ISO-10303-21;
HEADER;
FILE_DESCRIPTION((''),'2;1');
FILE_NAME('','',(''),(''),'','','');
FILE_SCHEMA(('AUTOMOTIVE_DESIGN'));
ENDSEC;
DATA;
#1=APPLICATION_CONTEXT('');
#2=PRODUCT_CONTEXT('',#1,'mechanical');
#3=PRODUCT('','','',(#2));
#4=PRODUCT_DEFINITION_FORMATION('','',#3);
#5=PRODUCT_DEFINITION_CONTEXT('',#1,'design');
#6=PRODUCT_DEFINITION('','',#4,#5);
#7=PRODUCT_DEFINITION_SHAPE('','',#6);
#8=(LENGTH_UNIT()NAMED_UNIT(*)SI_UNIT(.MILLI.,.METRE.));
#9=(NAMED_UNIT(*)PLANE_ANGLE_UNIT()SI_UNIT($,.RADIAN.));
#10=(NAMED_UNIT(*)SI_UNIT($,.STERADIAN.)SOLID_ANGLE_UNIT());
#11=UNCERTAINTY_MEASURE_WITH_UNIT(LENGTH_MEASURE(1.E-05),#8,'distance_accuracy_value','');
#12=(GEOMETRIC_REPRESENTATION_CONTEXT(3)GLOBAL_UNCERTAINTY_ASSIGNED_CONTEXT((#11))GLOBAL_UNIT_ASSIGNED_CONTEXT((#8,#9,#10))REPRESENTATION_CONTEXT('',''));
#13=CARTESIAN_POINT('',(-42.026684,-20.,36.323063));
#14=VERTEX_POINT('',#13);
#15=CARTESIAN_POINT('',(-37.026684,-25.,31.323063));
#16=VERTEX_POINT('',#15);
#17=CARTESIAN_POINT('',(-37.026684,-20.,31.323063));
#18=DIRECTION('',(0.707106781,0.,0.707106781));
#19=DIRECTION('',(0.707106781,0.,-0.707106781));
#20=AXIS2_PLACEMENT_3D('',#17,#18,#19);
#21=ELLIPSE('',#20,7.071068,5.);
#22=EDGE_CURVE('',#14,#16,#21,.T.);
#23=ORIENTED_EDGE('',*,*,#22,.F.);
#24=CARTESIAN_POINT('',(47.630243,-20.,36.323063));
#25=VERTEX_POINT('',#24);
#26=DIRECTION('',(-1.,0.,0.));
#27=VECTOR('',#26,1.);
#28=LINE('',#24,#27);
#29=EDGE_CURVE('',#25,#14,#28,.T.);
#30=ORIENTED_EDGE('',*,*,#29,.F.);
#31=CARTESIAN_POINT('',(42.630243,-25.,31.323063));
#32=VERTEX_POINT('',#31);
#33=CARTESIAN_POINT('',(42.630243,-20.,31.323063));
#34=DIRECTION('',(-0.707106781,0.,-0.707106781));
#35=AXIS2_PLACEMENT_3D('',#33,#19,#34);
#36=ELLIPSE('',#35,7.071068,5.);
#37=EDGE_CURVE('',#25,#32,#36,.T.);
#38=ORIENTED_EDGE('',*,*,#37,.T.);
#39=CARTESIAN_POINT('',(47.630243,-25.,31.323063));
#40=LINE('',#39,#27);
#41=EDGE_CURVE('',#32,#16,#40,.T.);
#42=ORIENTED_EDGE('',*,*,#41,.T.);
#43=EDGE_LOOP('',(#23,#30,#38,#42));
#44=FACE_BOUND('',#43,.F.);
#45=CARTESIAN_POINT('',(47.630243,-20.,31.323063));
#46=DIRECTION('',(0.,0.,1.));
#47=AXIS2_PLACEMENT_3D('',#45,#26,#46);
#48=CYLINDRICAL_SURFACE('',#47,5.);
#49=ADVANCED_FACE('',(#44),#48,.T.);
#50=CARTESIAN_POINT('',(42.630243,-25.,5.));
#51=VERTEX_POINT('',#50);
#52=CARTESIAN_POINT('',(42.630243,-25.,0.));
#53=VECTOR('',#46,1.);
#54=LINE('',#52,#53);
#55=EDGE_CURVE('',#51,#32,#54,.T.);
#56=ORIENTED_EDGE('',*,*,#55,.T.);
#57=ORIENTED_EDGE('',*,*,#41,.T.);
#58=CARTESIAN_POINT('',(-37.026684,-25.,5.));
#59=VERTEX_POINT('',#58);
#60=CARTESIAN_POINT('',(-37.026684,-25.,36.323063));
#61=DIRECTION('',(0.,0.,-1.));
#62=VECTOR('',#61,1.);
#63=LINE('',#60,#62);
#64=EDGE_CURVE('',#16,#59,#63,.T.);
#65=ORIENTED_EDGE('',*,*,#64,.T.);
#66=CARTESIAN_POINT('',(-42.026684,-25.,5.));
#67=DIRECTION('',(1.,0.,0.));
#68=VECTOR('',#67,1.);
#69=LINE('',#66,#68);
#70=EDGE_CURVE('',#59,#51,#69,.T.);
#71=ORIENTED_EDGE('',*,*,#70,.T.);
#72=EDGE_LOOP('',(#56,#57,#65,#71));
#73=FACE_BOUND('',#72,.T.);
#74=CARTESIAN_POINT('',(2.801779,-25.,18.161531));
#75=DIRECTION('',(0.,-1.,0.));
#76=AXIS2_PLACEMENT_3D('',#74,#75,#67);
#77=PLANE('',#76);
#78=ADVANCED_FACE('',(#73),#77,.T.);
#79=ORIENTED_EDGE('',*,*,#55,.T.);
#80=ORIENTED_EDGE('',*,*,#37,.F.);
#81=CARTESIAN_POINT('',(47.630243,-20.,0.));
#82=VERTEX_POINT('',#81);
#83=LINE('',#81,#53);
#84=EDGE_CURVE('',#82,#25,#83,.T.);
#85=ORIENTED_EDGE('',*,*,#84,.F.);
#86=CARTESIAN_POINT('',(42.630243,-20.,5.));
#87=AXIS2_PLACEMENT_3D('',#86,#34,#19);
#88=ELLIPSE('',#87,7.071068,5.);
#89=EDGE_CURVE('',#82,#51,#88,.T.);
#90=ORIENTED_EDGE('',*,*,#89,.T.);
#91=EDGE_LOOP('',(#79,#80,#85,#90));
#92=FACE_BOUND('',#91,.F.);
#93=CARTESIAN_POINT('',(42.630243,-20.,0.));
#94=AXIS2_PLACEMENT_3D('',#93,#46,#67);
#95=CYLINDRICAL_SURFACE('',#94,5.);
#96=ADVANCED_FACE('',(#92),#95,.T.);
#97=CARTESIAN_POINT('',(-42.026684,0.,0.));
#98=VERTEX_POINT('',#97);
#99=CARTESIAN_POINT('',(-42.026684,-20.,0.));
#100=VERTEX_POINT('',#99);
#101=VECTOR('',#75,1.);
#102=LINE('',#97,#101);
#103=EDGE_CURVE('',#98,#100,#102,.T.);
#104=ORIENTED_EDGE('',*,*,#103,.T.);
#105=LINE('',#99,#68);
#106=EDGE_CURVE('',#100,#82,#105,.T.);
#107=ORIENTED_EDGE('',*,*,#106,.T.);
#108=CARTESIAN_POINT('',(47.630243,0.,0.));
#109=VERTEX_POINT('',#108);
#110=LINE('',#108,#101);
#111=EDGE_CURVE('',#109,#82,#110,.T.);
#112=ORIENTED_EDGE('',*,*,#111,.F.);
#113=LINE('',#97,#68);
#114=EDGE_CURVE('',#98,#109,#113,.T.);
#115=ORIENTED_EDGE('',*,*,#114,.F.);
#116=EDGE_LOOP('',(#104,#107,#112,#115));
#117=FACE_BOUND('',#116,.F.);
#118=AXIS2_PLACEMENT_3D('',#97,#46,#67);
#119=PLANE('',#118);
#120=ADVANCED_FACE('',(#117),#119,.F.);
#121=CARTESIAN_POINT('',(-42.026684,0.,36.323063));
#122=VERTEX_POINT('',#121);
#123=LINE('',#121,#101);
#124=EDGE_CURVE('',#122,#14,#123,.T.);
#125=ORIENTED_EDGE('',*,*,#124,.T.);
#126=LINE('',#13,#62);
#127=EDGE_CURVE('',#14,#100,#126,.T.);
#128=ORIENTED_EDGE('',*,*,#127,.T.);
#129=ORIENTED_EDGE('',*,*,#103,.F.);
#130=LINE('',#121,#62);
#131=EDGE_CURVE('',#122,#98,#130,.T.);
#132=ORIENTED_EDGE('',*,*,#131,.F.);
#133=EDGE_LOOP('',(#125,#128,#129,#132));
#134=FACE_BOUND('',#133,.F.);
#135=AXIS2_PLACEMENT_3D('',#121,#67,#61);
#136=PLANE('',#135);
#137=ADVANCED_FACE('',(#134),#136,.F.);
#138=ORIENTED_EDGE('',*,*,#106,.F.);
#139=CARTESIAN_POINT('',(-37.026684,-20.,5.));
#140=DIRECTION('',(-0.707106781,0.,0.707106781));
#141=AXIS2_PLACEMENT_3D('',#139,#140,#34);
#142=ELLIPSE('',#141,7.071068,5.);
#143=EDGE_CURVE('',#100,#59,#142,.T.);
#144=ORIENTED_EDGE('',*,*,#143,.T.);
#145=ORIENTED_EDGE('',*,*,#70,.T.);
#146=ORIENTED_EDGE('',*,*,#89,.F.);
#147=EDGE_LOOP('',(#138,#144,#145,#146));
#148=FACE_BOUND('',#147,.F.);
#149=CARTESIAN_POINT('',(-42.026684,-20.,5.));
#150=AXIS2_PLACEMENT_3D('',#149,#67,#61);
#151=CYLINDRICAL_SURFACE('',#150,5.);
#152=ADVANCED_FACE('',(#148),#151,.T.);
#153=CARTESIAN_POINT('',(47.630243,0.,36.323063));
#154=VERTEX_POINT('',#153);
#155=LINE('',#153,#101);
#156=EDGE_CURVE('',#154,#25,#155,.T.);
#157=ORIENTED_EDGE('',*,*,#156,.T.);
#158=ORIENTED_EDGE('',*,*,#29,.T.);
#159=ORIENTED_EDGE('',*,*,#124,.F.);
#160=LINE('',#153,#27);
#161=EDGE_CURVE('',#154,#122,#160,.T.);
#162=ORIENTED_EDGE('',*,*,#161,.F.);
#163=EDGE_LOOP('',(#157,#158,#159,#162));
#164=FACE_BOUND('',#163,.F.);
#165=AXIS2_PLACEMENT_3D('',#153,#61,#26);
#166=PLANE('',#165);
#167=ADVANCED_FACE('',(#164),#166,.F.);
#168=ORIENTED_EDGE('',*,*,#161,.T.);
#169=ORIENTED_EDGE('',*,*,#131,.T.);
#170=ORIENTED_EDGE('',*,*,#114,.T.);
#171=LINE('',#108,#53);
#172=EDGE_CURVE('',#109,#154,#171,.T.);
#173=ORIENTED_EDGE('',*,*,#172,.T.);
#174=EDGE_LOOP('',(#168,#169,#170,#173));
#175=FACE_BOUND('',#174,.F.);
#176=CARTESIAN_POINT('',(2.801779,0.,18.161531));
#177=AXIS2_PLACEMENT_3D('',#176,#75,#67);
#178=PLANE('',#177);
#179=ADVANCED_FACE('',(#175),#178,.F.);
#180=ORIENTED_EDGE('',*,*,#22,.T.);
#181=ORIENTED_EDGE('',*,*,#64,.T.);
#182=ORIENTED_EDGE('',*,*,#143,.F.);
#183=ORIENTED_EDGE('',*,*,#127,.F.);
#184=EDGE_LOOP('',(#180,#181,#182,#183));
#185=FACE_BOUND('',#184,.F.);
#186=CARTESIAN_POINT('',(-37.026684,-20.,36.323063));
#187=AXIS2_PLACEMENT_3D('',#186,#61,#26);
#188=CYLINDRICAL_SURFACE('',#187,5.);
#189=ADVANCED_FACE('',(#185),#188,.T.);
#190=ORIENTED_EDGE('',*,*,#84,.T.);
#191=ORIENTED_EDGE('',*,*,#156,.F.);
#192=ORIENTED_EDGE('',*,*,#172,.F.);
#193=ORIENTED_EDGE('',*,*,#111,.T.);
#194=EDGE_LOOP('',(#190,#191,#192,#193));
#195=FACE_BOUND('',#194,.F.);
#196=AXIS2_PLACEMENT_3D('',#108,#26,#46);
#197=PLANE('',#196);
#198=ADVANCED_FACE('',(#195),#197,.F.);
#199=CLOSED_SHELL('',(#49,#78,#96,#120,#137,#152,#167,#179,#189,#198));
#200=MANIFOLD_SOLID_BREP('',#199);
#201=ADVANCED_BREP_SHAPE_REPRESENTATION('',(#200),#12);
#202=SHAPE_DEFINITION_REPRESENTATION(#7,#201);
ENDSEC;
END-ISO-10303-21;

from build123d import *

# Parameters (mm, degrees)
F1_DEPTH = 25
F2_R     = 5


with BuildPart() as f1:
    # F0 (on Front) → F1 (new body)
    with BuildSketch(Plane.XZ):
        Polygon((-42.026684, 36.323063), (-42.026684, 0), (47.02986, 0), (47.630243, 0), (47.630243, 36.323063), align=None)
    extrude(amount=F1_DEPTH)

    # F2
    f2_edges = [f1.edges().sort_by_distance(p)[0] for p in [
        (-42.026684, -25, 18.161532),
        (2.80178, -25, 36.323063),
        (2.80178, -25, 0),
        (47.630243, -25, 18.161532),
    ]]
    fillet(f2_edges, radius=F2_R)


solid = f1.part
